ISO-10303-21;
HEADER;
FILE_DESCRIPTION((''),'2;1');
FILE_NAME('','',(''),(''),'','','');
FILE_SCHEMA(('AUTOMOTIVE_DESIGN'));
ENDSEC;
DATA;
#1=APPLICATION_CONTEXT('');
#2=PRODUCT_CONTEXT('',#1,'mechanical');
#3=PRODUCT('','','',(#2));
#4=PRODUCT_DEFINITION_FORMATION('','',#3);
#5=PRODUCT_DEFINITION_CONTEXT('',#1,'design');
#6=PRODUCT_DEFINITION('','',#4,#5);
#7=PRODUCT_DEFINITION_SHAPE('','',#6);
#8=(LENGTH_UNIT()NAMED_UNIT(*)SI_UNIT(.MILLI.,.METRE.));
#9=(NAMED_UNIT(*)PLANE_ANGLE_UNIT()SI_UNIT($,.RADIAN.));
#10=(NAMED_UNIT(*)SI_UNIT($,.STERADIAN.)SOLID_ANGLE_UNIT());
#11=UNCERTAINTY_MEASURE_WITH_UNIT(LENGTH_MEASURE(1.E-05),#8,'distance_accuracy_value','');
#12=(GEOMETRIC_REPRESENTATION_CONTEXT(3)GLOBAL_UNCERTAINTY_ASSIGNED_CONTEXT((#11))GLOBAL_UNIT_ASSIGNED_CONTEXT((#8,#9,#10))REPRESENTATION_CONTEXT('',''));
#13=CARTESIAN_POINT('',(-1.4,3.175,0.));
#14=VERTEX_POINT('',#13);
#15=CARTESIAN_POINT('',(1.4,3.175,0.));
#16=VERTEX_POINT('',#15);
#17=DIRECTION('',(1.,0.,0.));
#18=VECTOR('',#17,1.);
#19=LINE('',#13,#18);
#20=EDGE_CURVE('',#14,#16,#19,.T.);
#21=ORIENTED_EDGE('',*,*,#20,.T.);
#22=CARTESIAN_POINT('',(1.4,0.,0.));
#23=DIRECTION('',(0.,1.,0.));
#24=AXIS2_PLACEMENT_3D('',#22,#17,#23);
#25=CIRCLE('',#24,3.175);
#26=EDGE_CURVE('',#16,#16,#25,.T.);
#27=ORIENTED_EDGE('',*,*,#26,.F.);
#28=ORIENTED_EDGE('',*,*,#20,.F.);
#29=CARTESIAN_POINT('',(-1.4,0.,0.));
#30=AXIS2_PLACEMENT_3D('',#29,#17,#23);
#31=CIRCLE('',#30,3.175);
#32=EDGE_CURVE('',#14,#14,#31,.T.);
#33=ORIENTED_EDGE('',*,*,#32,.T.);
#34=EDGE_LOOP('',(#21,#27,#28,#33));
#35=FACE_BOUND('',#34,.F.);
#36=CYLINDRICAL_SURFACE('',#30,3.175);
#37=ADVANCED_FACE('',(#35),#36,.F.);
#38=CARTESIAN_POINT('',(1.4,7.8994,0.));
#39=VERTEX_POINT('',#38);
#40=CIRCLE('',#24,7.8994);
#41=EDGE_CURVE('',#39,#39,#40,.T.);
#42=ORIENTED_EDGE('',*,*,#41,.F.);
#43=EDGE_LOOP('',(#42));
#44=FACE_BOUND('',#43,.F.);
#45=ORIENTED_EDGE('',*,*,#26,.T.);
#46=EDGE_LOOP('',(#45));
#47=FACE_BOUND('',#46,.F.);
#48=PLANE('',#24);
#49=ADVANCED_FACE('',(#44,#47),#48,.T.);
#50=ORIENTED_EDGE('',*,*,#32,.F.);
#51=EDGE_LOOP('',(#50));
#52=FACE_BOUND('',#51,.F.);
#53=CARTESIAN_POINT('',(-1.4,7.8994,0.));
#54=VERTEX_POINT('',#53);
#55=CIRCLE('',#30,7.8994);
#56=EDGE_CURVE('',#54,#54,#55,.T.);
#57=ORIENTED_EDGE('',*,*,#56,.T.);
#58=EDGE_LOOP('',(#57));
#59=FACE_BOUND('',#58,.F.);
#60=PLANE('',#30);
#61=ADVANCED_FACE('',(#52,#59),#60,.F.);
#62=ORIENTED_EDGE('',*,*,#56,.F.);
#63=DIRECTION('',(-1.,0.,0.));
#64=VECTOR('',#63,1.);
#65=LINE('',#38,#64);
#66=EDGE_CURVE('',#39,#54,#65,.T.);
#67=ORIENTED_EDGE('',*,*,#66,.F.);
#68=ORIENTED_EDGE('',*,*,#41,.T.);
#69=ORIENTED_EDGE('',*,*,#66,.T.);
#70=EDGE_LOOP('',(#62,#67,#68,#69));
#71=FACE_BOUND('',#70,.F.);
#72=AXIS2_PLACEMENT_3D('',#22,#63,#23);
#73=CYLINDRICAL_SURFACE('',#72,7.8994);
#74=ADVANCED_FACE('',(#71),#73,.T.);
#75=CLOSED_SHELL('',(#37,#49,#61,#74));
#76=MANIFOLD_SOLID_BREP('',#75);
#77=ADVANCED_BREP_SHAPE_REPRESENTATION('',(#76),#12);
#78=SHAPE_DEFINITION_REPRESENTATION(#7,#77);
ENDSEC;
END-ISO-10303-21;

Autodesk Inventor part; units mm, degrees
sketch "Sketch_1" plane through (0, 0, 0) normal (0, 0, 1) x (1, 0, 0)
  line L0 (1.4, 0) -> (-1.4, 0)
  line L1 (-1.4, 3.175) -> (1.4, 3.175)
  line L2 (1.4, 3.175) -> (1.4, 7.8994)
  line L3 (1.4, 7.8994) -> (-1.4, 7.8994)
  line L4 (-1.4, 7.8994) -> (-1.4, 3.175)
revolve "Revolution1" add sketch "Sketch_1" angle 360 about axis through (1.4, 0, 0) along (1, 0, 0)
ref_plane "P2_XY" through (1.4, 0, 0) normal (1, 0, 0) x (0, 0, -1)
ref_plane "P2_YZ" through (1.4, 0, 0) normal (0, 0, -1) x (0, 1, 0)
ref_plane "P2_ZX" through (1.4, 0, 0) normal (0, 1, 0) x (1, 0, 0)
properties part number "25-2281_p2"
